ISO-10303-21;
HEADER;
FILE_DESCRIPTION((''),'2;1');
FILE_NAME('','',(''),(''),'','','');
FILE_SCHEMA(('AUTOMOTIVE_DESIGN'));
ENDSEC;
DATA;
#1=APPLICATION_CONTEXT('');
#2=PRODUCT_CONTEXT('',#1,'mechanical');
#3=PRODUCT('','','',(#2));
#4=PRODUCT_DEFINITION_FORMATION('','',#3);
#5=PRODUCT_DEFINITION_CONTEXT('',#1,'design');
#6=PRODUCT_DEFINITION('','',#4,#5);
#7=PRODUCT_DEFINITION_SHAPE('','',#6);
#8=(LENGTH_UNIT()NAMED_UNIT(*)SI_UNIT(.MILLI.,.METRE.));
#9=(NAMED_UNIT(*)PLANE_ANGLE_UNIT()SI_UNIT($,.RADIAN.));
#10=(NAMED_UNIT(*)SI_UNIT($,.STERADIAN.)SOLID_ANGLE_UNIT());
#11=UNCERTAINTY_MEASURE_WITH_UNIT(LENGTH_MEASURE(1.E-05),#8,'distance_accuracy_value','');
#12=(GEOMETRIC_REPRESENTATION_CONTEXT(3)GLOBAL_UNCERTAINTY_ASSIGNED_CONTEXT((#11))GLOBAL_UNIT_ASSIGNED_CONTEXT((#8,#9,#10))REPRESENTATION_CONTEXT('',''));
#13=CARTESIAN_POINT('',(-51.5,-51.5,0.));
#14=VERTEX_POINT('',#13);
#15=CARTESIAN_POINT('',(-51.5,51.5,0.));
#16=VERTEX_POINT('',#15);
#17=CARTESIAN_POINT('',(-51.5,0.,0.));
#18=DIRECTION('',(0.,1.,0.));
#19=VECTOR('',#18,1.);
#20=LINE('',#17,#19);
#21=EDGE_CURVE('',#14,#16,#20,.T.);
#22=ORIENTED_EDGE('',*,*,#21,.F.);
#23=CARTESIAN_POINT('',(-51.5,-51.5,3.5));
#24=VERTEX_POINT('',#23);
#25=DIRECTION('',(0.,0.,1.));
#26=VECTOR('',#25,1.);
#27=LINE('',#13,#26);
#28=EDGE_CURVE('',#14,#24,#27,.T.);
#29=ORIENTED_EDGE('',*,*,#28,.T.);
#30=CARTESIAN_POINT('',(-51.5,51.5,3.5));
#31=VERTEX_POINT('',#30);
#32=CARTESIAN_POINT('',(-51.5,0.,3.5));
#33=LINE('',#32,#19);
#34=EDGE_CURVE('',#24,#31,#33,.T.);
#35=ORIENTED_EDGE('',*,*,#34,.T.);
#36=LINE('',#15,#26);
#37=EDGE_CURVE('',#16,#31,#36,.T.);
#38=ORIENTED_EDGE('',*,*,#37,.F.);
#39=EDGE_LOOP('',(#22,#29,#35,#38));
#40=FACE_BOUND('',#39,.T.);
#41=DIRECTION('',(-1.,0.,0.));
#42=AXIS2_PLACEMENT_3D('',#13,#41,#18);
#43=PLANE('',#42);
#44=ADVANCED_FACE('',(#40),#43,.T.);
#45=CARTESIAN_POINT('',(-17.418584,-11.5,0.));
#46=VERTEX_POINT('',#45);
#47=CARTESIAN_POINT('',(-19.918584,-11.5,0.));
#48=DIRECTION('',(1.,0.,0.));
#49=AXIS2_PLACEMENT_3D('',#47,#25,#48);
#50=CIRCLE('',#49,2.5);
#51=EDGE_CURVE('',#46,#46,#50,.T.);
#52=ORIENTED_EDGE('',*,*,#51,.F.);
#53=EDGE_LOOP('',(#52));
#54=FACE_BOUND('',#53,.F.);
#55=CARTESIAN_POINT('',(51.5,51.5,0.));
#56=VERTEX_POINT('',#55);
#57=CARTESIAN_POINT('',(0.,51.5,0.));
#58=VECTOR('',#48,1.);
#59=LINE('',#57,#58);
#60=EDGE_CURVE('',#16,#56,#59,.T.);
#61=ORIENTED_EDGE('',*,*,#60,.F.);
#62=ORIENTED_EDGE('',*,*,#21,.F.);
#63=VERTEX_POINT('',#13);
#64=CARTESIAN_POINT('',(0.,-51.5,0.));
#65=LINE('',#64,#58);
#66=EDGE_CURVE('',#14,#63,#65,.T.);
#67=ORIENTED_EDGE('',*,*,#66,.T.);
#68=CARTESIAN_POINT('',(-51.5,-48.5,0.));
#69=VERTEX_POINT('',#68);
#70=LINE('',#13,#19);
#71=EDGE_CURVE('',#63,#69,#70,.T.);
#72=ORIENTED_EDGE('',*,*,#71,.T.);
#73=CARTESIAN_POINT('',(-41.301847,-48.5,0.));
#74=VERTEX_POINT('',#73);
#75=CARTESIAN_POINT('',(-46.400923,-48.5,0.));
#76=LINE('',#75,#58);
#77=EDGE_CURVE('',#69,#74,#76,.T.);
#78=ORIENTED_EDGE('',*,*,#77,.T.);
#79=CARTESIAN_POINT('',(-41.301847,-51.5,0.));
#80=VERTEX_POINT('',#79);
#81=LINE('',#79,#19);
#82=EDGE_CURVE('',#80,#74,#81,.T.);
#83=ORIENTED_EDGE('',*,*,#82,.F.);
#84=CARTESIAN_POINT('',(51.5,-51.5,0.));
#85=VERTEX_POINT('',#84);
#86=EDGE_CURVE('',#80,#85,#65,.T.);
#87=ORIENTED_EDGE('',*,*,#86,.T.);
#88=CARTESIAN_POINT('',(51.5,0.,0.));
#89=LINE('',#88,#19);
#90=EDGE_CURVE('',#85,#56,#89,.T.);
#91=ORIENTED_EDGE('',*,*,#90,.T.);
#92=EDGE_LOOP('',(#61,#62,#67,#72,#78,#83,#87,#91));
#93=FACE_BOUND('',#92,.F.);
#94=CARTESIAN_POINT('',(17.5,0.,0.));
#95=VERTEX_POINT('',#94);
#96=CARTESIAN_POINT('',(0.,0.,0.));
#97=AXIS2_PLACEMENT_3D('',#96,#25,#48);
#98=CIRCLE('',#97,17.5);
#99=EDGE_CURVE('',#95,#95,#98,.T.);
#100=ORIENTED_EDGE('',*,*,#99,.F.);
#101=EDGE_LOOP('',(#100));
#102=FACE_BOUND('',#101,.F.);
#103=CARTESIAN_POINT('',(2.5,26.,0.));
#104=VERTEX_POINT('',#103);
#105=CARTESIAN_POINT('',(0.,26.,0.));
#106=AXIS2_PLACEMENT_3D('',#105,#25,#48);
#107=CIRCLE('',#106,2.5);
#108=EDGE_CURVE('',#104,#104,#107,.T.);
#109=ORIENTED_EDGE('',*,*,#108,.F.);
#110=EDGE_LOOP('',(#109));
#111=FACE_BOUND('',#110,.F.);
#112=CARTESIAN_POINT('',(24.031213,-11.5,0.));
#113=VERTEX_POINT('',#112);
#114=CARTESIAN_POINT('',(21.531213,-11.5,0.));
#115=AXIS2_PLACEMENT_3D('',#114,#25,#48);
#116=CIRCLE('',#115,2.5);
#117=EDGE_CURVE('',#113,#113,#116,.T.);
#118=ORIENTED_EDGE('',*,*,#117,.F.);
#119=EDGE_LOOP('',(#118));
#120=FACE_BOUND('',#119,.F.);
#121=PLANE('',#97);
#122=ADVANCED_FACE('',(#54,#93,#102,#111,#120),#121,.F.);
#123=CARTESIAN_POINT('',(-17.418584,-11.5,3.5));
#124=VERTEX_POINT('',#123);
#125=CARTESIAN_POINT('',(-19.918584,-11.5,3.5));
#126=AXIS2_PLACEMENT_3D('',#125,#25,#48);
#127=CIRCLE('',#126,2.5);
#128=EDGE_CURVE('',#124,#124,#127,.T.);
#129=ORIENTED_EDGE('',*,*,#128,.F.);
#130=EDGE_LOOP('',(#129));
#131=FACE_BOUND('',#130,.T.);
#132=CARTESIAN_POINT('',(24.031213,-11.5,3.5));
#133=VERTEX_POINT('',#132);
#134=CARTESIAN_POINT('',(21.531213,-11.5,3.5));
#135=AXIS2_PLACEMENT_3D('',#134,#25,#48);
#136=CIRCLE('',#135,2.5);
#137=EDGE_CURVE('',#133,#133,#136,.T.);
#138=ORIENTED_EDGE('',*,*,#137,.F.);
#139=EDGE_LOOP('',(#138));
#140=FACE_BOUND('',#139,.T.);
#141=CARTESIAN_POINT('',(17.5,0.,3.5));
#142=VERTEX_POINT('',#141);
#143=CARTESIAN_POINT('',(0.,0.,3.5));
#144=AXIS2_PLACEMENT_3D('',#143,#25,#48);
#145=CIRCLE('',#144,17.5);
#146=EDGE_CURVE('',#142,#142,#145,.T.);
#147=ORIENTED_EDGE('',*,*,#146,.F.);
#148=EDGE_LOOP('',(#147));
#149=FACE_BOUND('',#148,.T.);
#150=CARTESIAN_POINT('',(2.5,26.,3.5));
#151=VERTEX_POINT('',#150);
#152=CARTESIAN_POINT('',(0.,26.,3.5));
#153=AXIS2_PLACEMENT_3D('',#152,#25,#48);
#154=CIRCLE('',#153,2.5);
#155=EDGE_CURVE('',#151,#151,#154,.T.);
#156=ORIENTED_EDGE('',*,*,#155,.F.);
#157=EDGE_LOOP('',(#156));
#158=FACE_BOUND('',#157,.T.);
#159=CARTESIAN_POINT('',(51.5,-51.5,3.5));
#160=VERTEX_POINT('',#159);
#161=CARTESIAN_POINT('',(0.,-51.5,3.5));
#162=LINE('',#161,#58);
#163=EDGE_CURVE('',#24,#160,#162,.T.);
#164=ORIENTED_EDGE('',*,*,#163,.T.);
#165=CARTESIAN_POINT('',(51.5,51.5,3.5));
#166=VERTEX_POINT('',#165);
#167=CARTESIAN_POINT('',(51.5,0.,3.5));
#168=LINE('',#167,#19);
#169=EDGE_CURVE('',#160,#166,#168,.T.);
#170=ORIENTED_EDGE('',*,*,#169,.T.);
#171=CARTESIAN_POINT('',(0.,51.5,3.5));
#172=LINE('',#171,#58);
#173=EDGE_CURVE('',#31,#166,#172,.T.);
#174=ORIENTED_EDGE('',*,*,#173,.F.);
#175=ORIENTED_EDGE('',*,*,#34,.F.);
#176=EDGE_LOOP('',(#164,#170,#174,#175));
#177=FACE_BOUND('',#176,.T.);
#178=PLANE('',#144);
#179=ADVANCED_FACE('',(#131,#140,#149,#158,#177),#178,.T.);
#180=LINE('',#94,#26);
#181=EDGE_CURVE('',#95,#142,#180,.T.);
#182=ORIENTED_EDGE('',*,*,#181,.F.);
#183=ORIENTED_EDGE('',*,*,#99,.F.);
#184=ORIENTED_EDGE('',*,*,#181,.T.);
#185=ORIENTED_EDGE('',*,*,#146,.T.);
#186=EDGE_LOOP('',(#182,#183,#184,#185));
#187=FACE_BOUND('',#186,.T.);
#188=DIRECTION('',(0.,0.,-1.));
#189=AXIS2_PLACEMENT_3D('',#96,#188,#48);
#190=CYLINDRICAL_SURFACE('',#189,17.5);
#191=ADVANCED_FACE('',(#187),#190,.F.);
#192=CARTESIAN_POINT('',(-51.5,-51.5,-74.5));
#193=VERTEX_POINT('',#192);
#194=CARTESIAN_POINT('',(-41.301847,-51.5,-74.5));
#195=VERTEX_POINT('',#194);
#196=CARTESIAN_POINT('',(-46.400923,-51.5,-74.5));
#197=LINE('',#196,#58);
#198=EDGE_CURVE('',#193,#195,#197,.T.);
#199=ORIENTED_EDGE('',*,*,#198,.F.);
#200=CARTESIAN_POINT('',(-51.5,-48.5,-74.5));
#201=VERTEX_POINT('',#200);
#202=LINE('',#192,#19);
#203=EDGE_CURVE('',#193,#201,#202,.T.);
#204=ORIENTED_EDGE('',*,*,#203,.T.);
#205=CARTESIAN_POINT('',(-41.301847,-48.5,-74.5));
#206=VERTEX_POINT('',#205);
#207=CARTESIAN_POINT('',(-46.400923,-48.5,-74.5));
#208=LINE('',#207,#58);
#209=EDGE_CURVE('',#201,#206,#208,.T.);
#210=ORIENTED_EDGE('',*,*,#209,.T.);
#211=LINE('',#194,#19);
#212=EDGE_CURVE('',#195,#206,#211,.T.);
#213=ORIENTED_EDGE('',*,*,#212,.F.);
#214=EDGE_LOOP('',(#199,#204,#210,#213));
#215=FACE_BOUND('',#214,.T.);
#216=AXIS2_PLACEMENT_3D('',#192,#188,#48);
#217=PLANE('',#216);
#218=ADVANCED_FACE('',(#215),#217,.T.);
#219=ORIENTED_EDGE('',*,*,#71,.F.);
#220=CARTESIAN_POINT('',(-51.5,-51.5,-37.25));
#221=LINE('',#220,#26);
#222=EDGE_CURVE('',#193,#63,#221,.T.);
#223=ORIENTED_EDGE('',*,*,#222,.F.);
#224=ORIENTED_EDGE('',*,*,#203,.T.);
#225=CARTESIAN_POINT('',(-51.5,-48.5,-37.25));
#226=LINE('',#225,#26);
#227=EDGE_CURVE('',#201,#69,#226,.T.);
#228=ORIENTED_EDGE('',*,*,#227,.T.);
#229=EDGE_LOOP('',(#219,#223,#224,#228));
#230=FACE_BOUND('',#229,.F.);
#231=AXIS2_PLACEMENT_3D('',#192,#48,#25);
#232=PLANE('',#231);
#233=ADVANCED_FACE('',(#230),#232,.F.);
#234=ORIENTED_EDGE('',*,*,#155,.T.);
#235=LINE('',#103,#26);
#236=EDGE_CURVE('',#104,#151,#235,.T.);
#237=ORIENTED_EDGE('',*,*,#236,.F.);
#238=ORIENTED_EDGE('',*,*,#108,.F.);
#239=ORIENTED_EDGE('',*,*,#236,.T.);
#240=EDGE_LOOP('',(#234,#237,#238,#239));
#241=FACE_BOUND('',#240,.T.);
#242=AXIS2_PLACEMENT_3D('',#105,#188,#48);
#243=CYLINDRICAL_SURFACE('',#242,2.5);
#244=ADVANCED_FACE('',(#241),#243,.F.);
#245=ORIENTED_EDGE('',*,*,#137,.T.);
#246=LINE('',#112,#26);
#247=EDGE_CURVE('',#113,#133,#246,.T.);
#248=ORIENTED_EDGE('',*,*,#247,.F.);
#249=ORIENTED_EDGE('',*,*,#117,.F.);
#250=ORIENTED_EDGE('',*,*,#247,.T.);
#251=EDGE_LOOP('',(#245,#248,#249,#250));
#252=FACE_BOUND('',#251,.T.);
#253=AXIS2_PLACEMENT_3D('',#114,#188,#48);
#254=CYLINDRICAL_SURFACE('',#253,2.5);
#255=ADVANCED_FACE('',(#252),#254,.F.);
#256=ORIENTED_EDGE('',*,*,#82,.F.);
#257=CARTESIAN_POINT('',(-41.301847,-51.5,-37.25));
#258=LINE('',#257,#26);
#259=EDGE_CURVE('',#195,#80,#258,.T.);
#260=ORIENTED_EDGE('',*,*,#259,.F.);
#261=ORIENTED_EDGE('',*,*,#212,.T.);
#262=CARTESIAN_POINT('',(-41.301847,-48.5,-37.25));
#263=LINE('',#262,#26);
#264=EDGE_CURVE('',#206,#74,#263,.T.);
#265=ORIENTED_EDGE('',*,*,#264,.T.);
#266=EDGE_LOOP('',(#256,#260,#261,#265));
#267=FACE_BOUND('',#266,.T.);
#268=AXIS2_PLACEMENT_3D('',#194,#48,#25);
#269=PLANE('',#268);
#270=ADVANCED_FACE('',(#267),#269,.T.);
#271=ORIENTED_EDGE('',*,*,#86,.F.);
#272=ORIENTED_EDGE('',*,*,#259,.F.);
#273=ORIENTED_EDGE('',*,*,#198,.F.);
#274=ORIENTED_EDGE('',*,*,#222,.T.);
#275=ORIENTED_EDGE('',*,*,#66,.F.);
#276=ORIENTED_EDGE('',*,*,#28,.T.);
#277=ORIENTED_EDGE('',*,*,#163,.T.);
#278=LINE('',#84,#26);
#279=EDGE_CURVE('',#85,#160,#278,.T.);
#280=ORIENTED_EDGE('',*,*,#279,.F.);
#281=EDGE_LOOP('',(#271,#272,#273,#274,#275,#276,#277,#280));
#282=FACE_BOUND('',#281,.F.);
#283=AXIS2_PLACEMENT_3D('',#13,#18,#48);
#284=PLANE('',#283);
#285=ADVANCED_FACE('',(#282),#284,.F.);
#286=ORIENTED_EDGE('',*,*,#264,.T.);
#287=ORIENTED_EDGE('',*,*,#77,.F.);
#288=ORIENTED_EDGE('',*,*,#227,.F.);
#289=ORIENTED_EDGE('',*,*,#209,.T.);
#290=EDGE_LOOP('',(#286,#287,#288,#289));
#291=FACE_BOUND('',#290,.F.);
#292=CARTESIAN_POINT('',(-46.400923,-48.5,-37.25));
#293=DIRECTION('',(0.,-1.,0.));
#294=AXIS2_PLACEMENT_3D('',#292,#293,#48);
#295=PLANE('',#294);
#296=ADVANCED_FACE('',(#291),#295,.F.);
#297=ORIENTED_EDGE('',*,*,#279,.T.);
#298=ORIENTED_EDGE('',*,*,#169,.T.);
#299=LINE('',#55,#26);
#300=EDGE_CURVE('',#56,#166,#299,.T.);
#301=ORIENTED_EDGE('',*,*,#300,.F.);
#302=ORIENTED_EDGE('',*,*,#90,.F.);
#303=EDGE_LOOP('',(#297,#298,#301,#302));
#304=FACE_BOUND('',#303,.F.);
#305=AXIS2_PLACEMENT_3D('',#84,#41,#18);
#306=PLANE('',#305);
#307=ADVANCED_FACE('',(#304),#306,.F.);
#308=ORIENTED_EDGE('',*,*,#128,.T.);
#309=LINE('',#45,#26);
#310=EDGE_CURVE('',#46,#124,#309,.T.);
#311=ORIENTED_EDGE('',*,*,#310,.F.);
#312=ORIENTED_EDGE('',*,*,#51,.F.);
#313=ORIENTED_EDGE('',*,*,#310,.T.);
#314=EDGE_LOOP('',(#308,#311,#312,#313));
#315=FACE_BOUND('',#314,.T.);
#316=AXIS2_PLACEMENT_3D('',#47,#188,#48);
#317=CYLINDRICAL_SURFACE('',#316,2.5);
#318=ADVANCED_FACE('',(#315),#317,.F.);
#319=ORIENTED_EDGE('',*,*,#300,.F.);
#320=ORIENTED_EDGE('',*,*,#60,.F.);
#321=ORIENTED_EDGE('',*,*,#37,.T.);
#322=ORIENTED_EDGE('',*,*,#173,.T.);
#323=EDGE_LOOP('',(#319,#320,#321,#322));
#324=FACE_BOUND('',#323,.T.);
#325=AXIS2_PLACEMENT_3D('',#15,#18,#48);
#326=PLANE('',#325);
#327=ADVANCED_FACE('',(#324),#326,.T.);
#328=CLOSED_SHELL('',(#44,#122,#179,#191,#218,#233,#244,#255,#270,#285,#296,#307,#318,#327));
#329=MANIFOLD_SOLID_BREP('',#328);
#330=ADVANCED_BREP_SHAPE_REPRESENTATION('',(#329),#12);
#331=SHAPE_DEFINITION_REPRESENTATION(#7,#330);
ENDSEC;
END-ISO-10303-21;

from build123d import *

# Parameters (mm, degrees)
F0_W     = 103
F0_H     = 103
F0_R     = 2.5
F0_R_2   = 17.5
F1_DEPTH = 3.5
F2_W     = 10.198153
F2_H     = 74.5
F3_DEPTH = 3


with BuildPart() as f1:
    # F0 (on Top) → F1 (new body)
    with BuildSketch(Plane.XY):
        Rectangle(F0_W, F0_H)
        with Locations((-19.918584, -11.5)):
            Circle(F0_R, mode=Mode.SUBTRACT)
        Circle(F0_R_2, mode=Mode.SUBTRACT)
        with Locations((21.531213, -11.5)):
            Circle(F0_R, mode=Mode.SUBTRACT)
        with Locations((0, 26)):
            Circle(F0_R, mode=Mode.SUBTRACT)
    extrude(amount=F1_DEPTH)

    # F2 (on face) → F3 (join)
    with BuildSketch(Plane.XZ.offset(51.5)):
        with Locations((-46.400923, -37.25)):
            Rectangle(F2_W, F2_H)
    extrude(amount=-F3_DEPTH)


solid = f1.part
